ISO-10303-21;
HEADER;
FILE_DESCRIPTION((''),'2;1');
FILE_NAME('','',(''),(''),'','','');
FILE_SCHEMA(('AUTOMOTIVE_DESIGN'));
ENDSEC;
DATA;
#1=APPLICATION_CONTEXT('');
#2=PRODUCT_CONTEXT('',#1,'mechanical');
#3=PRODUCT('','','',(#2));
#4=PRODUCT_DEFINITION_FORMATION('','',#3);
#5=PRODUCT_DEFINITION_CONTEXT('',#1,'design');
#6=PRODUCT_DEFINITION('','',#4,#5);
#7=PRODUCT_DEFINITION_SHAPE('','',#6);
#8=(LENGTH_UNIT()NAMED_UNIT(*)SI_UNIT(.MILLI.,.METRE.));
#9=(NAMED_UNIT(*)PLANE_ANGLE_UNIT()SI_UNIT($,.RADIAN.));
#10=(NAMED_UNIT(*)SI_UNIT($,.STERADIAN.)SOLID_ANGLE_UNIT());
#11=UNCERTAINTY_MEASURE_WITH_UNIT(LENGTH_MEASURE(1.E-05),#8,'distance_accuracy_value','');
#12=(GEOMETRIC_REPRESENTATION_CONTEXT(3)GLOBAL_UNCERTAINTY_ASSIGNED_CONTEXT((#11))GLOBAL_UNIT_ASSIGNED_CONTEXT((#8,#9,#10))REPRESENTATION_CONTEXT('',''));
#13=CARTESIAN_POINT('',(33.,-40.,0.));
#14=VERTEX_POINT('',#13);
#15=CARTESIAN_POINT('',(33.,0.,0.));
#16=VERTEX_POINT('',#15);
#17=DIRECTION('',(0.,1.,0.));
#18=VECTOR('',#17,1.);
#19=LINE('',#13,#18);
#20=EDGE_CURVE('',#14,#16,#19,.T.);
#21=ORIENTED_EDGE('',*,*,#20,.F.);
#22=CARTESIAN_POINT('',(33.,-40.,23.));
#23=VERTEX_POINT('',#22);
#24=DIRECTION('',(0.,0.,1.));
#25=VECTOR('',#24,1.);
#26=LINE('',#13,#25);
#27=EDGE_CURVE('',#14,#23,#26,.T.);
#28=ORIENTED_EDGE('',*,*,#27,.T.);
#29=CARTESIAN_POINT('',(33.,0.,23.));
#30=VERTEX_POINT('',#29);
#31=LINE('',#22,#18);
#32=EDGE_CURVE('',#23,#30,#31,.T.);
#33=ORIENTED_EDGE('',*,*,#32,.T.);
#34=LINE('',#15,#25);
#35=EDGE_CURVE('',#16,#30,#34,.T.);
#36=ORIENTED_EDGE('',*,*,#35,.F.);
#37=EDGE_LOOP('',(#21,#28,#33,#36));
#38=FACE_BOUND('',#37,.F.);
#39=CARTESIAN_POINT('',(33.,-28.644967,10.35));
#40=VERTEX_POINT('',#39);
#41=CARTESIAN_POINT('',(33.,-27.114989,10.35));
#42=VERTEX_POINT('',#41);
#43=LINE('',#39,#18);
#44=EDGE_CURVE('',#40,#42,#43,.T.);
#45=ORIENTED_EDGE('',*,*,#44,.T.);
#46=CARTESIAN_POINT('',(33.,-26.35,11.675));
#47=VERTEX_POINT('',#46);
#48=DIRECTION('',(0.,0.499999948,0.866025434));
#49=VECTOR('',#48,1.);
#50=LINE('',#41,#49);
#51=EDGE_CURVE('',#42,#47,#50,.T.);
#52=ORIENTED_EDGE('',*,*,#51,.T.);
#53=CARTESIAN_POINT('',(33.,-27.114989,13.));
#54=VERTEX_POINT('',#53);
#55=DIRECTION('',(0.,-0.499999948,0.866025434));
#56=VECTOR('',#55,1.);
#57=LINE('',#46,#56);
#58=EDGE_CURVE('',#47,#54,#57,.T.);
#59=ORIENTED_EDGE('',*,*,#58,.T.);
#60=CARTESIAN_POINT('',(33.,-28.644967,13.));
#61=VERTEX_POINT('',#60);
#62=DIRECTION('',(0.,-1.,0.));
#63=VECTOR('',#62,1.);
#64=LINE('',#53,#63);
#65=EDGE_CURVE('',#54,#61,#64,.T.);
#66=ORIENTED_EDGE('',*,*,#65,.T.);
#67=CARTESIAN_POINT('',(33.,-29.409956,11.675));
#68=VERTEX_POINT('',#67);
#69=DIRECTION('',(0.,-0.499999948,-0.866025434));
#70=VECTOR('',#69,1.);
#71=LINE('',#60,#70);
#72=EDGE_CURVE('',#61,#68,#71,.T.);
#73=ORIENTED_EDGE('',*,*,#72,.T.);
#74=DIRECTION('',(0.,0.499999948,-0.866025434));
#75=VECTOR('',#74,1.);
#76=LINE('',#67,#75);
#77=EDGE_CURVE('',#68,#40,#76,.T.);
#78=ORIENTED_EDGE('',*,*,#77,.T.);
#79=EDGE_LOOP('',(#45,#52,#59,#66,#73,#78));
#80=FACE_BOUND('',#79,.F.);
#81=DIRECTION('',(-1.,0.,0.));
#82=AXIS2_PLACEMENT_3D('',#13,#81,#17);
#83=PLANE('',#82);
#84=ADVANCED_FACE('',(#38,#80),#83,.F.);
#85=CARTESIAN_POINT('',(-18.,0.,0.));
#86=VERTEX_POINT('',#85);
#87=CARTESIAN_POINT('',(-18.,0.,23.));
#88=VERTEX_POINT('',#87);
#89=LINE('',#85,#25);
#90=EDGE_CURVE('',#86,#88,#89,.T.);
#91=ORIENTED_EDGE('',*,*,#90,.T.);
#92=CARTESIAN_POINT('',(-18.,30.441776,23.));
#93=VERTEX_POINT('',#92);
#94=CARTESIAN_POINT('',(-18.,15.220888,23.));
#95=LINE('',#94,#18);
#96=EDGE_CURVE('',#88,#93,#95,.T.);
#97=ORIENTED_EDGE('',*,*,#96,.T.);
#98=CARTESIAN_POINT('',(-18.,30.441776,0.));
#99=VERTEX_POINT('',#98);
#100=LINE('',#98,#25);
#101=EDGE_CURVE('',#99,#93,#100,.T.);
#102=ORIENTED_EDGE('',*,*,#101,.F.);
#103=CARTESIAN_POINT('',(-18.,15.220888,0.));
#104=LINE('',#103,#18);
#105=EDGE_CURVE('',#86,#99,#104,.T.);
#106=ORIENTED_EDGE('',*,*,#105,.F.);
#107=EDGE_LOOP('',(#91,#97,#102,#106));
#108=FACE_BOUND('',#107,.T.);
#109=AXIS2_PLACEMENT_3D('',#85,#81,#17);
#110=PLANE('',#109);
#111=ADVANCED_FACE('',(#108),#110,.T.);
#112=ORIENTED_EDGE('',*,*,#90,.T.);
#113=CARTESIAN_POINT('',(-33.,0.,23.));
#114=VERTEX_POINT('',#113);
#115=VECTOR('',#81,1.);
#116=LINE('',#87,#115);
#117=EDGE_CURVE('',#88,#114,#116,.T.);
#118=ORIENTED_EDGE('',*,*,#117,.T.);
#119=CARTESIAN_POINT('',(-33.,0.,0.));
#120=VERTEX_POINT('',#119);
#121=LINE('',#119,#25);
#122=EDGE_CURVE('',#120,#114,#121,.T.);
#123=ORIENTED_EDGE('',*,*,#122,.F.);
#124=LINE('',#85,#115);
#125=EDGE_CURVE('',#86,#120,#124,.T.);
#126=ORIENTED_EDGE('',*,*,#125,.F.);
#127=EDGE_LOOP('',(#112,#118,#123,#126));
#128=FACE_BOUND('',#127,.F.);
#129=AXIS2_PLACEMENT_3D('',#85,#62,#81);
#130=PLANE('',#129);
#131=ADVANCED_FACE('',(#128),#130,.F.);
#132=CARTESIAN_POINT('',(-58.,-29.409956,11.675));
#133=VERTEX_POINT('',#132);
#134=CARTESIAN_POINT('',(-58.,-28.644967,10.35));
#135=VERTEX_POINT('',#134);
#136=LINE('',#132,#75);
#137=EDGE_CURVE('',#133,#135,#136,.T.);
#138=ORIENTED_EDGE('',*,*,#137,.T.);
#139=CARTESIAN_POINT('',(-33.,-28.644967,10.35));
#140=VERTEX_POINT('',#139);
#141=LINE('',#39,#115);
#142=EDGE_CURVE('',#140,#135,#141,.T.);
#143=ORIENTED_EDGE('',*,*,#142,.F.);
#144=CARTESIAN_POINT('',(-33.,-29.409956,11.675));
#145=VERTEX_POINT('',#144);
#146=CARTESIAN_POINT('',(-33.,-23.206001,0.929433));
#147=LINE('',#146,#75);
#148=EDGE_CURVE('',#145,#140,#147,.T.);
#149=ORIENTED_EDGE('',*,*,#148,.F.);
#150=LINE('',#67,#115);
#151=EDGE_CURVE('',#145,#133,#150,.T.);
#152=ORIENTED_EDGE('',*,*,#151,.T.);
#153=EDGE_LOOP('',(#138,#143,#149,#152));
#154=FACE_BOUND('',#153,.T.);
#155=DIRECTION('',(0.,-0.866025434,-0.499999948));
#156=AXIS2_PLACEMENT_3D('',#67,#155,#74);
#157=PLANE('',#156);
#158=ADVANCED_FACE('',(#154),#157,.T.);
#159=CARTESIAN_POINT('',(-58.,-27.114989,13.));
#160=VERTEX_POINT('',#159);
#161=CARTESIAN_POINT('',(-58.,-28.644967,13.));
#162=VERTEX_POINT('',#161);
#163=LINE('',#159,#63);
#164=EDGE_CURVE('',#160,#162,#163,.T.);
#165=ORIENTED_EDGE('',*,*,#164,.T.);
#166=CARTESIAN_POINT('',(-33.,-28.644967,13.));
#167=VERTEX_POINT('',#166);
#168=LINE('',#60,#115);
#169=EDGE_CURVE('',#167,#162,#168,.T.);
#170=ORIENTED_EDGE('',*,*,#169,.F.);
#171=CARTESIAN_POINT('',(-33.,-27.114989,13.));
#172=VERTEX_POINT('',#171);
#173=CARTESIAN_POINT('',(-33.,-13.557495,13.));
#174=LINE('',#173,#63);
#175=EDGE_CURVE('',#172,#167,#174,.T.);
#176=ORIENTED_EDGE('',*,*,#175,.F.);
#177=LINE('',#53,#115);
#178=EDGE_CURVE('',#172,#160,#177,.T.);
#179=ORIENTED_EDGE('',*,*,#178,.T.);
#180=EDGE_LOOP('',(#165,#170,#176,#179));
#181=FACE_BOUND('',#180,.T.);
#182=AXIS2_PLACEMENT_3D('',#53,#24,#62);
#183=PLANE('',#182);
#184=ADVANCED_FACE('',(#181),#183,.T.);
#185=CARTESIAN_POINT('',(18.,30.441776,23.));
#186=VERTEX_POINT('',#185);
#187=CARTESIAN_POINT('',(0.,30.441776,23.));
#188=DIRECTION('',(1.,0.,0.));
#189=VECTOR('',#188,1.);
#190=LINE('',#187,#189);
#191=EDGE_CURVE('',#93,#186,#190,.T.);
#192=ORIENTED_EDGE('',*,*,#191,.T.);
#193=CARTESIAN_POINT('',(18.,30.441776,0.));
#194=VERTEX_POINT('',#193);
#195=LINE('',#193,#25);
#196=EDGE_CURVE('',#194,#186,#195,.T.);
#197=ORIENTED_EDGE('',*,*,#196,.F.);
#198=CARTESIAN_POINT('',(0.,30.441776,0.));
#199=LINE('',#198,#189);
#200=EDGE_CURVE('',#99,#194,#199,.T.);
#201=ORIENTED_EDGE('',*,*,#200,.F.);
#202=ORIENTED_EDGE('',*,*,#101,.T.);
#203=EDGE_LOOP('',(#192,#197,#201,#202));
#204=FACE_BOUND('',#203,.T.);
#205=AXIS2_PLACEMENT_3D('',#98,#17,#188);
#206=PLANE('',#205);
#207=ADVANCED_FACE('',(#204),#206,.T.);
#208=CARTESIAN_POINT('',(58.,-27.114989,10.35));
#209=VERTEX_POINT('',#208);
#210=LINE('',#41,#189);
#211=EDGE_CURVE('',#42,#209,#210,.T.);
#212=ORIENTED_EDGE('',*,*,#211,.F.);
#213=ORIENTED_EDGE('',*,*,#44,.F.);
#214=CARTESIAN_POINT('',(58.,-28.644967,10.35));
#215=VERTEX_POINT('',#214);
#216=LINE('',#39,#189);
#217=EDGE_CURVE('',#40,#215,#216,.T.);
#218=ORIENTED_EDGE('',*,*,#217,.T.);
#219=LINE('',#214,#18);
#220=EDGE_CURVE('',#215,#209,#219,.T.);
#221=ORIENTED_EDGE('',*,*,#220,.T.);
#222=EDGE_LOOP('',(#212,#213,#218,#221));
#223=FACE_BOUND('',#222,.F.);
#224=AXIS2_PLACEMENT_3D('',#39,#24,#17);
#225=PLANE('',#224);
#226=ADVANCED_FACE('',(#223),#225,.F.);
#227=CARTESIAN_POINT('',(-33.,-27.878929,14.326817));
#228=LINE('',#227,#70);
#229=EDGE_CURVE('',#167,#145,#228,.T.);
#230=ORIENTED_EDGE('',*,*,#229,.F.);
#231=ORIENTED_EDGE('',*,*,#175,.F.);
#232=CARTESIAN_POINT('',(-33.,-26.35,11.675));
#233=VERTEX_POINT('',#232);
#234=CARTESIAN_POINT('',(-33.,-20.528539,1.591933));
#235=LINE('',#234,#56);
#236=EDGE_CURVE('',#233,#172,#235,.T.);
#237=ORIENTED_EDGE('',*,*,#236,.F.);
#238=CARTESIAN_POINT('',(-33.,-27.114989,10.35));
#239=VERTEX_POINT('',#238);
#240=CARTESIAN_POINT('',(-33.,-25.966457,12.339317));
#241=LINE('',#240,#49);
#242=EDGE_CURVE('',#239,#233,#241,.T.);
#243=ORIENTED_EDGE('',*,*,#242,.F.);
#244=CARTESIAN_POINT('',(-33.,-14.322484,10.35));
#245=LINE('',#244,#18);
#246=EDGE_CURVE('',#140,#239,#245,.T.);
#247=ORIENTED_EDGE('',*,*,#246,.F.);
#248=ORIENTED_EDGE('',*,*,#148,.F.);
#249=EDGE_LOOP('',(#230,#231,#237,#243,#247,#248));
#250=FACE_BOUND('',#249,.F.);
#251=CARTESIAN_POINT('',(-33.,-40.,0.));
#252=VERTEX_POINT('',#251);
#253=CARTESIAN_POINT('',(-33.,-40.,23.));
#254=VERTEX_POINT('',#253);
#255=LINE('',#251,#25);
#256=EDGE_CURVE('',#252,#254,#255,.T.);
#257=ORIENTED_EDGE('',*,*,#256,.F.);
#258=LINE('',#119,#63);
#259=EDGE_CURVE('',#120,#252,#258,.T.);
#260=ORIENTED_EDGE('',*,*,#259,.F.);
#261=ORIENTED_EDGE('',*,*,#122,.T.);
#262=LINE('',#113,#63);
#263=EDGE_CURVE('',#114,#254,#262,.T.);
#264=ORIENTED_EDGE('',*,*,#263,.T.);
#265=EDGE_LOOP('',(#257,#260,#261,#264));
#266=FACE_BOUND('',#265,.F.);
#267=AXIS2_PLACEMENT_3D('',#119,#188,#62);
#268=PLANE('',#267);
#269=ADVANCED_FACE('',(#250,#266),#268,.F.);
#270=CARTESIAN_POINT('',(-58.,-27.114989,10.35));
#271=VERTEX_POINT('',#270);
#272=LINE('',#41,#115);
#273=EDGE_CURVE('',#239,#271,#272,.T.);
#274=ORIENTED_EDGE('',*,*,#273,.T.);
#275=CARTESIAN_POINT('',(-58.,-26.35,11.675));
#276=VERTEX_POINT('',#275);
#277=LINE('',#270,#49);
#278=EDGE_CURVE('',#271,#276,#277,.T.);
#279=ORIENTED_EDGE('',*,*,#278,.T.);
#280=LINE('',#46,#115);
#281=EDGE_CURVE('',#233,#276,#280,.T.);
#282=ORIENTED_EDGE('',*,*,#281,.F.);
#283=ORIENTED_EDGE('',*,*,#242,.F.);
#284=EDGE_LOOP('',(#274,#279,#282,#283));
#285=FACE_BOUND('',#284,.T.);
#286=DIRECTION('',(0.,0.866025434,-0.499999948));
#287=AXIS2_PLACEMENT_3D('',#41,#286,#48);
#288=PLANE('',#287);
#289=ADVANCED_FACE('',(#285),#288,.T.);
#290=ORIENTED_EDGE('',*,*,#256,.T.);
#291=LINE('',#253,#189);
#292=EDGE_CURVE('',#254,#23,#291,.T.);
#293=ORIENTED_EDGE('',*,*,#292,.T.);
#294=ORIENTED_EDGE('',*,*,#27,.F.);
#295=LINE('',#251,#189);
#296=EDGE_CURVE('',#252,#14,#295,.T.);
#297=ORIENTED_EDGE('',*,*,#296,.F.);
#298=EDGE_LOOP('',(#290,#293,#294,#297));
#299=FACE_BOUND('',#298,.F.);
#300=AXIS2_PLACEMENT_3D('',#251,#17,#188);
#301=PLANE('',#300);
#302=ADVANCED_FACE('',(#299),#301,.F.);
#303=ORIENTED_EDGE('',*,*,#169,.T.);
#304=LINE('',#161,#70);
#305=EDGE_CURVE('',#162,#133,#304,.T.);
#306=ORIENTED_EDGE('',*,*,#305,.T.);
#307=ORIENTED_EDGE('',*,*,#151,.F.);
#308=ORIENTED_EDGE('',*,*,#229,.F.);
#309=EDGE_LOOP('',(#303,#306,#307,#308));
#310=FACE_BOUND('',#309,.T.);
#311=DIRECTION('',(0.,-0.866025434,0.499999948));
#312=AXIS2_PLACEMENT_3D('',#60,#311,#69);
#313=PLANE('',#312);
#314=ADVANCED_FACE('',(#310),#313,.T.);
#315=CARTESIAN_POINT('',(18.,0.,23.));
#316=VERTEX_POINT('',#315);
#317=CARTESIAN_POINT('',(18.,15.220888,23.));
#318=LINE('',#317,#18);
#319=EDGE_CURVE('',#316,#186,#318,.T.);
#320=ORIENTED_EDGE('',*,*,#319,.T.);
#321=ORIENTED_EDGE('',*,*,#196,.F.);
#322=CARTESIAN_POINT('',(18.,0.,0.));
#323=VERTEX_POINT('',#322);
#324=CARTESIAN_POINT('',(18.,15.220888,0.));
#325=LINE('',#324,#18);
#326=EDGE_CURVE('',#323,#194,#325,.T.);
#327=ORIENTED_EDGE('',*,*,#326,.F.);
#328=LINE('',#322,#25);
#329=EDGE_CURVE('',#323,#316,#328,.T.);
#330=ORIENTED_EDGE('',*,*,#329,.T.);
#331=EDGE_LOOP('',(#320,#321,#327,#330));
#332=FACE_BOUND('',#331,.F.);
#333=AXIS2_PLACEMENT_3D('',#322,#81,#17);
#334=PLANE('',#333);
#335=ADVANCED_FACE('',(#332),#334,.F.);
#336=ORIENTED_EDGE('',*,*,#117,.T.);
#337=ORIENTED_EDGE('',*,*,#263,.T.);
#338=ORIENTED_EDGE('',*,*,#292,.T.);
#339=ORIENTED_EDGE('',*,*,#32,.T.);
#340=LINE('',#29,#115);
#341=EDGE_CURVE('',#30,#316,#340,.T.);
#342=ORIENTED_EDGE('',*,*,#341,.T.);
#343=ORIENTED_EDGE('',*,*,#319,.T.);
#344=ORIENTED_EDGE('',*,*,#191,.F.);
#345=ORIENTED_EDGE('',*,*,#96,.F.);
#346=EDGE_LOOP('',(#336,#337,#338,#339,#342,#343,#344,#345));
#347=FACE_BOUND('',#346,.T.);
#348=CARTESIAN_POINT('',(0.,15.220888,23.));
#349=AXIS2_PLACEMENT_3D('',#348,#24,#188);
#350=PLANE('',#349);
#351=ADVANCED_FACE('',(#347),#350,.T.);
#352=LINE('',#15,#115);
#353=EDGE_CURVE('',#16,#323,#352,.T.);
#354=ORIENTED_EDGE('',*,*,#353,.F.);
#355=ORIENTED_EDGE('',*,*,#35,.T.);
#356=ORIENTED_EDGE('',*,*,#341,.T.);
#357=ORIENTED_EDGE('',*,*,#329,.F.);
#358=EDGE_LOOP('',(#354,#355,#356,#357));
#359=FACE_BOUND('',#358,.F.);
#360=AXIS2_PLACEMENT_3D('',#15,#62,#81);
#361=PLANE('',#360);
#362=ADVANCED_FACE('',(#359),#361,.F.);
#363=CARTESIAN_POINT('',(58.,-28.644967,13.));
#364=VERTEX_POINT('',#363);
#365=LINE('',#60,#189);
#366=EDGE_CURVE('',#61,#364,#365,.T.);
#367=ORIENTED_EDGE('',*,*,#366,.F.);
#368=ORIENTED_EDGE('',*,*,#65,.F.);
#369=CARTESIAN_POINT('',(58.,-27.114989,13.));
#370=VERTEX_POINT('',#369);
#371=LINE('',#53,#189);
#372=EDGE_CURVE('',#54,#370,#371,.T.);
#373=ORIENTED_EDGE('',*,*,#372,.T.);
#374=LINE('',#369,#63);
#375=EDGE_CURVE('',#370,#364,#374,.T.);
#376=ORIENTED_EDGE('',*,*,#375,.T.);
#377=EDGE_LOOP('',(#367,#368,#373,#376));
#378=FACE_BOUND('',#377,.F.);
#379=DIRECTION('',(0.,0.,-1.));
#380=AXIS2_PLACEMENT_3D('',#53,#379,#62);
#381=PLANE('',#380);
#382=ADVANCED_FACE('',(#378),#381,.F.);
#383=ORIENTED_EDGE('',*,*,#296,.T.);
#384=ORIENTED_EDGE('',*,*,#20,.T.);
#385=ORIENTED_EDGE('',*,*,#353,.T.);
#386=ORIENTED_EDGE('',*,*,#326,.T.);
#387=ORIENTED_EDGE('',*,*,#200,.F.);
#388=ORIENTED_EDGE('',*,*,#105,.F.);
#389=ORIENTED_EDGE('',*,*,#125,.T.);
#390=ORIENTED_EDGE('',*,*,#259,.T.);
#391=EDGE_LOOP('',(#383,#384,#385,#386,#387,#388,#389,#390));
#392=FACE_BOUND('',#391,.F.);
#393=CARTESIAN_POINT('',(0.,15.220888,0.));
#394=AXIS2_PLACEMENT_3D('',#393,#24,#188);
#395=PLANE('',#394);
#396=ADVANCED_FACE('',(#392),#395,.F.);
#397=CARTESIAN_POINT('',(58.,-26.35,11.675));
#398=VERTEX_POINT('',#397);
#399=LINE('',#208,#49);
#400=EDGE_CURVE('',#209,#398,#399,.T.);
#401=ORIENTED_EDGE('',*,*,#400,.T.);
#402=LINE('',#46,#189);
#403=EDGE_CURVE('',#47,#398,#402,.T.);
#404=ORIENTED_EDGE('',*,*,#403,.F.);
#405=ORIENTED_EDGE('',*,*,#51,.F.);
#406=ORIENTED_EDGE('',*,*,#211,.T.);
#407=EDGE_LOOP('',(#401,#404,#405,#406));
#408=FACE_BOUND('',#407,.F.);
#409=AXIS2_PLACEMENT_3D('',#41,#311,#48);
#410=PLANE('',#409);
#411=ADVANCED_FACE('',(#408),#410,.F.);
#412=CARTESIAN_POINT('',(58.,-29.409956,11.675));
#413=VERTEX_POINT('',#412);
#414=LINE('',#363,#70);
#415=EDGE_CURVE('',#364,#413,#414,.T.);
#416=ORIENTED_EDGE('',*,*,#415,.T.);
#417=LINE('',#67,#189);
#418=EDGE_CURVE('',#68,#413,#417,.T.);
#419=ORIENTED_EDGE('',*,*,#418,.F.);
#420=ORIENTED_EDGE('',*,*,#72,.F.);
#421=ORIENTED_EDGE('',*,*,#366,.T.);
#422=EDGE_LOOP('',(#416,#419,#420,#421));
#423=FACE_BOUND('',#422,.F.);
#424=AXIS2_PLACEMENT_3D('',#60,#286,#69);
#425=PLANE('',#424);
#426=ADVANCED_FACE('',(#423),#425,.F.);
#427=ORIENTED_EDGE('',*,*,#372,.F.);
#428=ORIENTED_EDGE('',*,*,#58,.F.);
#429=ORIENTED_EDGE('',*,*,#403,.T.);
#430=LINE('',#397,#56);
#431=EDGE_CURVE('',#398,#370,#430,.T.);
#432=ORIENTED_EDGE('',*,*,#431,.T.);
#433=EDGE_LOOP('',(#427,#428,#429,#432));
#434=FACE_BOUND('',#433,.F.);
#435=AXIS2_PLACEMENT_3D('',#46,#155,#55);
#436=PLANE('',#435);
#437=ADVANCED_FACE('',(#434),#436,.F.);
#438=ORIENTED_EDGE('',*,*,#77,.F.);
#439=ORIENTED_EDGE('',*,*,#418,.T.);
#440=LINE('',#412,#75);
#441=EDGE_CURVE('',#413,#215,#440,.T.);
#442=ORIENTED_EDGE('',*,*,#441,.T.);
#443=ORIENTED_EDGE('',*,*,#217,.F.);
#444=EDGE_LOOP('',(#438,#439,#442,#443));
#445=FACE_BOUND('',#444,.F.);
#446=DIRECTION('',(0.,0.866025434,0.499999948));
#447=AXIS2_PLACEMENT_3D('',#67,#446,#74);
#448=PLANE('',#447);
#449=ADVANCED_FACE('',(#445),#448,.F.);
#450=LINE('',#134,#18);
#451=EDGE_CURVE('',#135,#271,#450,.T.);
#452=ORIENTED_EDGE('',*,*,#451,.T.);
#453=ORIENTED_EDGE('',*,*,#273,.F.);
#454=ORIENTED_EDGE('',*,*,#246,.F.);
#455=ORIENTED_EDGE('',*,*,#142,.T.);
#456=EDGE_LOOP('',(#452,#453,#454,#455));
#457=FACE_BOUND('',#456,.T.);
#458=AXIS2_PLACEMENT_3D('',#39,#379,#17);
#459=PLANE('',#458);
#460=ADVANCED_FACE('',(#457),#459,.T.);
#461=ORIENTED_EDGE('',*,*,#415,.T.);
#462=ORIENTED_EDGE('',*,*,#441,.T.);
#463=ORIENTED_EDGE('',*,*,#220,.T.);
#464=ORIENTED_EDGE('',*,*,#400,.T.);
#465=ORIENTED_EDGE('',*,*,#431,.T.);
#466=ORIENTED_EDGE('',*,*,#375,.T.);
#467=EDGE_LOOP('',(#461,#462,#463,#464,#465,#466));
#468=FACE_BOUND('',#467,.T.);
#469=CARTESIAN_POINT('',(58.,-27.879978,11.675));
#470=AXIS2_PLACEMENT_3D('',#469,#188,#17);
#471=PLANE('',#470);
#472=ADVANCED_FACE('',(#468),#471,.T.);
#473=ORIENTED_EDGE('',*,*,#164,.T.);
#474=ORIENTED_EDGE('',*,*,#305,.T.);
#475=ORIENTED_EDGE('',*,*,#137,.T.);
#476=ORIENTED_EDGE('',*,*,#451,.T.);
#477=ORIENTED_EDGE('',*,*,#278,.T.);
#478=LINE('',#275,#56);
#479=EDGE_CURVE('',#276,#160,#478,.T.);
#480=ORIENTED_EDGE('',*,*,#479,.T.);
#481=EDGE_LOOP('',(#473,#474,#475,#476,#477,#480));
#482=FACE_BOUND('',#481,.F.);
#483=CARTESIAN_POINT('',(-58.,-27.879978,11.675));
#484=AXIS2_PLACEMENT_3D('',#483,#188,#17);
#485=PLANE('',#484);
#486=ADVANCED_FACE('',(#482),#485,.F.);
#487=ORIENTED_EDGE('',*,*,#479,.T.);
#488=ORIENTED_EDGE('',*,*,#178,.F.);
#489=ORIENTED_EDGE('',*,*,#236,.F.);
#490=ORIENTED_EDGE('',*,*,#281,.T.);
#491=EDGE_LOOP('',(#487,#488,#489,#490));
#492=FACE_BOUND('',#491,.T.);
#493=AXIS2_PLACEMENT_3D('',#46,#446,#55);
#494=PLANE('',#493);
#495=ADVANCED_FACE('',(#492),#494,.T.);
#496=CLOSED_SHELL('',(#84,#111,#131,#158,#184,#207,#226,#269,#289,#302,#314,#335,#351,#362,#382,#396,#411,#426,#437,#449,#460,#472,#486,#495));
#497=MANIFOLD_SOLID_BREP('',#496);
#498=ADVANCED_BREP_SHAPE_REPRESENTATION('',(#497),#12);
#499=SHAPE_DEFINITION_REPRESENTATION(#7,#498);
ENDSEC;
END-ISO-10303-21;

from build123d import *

# Parameters (mm, degrees)
F0_W     = 36
F0_H     = 30.441777
F1_DEPTH = 23
F3_DEPTH = 25
F5_DEPTH = 91


with BuildPart() as f1:
    # F0 (on Top) → F1 (new body)
    with BuildSketch(Plane.XY):
        with Locations((0, 15.220888)):
            Rectangle(F0_W, F0_H)
        Polygon((18, 0), (-18, 0), (-33, 0), (-33, -40), (33, -40), (33, 0), align=None)
    extrude(amount=F1_DEPTH)

    # F2 (on face) → F3 (join)
    with BuildSketch(Plane.YZ.offset(33)):
        Polygon((-27.114989, 13), (-28.644967, 13), (-29.409956, 11.675), (-28.644967, 10.35), (-27.114989, 10.35), (-26.35, 11.675), align=None)
    extrude(amount=F3_DEPTH)

    # F4 (on face) → F5 (join)
    with BuildSketch(Plane.YZ.offset(33)):
        Polygon((-27.114989, 13), (-28.644967, 13), (-29.409956, 11.675), (-28.644967, 10.35), (-27.114989, 10.35), (-26.35, 11.675), align=None)
    extrude(amount=-F5_DEPTH)


solid = f1.part
